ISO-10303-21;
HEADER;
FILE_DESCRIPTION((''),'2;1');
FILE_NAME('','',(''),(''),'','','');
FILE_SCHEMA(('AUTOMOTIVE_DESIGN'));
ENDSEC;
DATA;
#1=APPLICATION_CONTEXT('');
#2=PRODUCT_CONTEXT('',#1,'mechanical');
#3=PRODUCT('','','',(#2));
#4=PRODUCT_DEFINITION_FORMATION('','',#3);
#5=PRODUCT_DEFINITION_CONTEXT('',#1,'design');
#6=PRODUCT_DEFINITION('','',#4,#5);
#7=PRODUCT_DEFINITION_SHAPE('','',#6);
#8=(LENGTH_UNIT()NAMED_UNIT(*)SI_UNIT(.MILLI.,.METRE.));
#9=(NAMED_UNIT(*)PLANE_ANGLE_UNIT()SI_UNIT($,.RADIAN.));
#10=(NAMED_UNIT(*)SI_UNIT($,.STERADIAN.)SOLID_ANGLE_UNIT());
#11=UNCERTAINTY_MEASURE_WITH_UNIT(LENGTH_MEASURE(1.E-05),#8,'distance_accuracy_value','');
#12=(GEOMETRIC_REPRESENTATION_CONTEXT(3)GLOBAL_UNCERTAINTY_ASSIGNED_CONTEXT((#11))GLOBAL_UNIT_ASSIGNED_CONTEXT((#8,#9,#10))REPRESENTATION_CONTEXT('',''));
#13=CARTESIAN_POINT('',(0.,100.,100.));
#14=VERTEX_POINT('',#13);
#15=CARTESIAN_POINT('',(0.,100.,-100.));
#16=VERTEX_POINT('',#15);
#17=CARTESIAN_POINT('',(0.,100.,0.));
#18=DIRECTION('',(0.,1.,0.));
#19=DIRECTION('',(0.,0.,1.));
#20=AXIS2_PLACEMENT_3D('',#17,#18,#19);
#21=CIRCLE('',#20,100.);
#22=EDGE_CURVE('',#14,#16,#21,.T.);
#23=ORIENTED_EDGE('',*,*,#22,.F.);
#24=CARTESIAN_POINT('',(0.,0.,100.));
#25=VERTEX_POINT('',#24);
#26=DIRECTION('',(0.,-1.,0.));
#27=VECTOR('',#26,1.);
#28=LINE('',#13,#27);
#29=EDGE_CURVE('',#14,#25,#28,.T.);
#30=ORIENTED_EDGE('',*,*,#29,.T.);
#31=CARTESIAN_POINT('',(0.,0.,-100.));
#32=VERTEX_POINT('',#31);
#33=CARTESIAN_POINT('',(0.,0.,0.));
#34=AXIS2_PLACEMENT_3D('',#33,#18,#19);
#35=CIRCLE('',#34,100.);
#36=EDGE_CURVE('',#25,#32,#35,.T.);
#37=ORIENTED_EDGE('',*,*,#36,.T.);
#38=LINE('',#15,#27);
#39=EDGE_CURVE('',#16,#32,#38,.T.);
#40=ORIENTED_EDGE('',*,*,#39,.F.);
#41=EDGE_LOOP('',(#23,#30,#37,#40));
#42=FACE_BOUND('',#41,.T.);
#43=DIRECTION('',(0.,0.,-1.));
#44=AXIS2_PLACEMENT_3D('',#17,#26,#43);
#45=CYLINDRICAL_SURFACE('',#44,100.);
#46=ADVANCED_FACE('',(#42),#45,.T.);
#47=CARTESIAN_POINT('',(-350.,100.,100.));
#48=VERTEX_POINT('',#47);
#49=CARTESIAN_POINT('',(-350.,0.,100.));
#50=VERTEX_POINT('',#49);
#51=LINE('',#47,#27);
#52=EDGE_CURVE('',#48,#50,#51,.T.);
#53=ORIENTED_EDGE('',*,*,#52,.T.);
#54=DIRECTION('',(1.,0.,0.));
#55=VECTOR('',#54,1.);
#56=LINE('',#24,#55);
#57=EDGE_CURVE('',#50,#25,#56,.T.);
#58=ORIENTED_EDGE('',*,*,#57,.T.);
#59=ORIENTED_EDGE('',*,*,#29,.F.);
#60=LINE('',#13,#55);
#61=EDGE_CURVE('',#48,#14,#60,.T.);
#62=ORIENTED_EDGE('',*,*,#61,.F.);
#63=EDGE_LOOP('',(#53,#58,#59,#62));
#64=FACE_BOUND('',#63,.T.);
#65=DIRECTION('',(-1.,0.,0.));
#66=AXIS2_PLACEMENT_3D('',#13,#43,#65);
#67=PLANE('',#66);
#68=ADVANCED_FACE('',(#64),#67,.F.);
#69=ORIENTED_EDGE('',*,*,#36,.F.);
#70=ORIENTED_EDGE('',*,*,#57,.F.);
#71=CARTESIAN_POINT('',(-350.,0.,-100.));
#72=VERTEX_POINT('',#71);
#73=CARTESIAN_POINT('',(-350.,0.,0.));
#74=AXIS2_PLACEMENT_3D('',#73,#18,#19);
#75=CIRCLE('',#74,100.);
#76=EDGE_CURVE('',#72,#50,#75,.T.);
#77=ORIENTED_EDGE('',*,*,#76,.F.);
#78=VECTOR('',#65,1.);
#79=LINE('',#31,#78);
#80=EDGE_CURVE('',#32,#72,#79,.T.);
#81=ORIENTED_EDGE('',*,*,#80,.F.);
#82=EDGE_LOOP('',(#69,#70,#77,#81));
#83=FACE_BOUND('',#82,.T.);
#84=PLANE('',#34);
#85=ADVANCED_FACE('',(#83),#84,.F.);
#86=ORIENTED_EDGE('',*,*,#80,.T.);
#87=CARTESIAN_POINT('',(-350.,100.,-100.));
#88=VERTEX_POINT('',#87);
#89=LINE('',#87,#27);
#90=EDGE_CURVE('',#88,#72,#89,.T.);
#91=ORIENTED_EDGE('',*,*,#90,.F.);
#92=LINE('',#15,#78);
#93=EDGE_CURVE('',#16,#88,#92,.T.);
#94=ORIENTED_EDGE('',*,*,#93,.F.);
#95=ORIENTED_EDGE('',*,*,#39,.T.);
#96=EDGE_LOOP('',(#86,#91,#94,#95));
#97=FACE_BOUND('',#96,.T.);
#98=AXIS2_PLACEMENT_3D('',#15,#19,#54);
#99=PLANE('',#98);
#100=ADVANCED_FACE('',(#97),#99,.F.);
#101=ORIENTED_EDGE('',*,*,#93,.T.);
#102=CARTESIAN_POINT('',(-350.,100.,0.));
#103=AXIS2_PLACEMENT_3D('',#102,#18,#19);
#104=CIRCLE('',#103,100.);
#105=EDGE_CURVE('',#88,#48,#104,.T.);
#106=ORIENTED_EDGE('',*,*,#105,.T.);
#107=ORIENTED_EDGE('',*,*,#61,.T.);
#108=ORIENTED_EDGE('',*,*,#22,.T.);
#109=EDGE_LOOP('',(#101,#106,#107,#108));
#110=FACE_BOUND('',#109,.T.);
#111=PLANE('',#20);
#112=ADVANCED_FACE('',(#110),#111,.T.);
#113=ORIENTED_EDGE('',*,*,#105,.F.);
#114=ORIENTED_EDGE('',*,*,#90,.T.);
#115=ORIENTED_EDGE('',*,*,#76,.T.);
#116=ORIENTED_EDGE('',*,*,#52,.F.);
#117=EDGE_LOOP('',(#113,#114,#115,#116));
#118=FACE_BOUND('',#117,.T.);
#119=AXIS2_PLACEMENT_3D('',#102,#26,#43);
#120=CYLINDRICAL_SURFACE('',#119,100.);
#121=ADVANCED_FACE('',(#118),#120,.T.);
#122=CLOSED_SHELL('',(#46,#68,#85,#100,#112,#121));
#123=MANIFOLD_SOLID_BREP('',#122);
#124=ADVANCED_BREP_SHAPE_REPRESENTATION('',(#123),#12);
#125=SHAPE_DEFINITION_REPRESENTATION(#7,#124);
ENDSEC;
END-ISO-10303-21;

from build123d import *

# Parameters (mm, degrees)
SALIENTE_EXTRUIR1_DEPTH = 100


with BuildPart() as part:
    # Croquis1 → Saliente-Extruir1 (new body)
    with BuildSketch(Plane(origin=(0, 0, 0), x_dir=(1, 0, 0), z_dir=(0, 1, 0))):
        with BuildLine():
            Line((0, -100), (-350, -100))
            ThreePointArc((-350, -100), (-450, 0), (-350, 100))
            Line((-350, 100), (0, 100))
            ThreePointArc((0, 100), (100, 0), (0, -100))
        make_face()
    extrude(amount=SALIENTE_EXTRUIR1_DEPTH)


solid = part.part
